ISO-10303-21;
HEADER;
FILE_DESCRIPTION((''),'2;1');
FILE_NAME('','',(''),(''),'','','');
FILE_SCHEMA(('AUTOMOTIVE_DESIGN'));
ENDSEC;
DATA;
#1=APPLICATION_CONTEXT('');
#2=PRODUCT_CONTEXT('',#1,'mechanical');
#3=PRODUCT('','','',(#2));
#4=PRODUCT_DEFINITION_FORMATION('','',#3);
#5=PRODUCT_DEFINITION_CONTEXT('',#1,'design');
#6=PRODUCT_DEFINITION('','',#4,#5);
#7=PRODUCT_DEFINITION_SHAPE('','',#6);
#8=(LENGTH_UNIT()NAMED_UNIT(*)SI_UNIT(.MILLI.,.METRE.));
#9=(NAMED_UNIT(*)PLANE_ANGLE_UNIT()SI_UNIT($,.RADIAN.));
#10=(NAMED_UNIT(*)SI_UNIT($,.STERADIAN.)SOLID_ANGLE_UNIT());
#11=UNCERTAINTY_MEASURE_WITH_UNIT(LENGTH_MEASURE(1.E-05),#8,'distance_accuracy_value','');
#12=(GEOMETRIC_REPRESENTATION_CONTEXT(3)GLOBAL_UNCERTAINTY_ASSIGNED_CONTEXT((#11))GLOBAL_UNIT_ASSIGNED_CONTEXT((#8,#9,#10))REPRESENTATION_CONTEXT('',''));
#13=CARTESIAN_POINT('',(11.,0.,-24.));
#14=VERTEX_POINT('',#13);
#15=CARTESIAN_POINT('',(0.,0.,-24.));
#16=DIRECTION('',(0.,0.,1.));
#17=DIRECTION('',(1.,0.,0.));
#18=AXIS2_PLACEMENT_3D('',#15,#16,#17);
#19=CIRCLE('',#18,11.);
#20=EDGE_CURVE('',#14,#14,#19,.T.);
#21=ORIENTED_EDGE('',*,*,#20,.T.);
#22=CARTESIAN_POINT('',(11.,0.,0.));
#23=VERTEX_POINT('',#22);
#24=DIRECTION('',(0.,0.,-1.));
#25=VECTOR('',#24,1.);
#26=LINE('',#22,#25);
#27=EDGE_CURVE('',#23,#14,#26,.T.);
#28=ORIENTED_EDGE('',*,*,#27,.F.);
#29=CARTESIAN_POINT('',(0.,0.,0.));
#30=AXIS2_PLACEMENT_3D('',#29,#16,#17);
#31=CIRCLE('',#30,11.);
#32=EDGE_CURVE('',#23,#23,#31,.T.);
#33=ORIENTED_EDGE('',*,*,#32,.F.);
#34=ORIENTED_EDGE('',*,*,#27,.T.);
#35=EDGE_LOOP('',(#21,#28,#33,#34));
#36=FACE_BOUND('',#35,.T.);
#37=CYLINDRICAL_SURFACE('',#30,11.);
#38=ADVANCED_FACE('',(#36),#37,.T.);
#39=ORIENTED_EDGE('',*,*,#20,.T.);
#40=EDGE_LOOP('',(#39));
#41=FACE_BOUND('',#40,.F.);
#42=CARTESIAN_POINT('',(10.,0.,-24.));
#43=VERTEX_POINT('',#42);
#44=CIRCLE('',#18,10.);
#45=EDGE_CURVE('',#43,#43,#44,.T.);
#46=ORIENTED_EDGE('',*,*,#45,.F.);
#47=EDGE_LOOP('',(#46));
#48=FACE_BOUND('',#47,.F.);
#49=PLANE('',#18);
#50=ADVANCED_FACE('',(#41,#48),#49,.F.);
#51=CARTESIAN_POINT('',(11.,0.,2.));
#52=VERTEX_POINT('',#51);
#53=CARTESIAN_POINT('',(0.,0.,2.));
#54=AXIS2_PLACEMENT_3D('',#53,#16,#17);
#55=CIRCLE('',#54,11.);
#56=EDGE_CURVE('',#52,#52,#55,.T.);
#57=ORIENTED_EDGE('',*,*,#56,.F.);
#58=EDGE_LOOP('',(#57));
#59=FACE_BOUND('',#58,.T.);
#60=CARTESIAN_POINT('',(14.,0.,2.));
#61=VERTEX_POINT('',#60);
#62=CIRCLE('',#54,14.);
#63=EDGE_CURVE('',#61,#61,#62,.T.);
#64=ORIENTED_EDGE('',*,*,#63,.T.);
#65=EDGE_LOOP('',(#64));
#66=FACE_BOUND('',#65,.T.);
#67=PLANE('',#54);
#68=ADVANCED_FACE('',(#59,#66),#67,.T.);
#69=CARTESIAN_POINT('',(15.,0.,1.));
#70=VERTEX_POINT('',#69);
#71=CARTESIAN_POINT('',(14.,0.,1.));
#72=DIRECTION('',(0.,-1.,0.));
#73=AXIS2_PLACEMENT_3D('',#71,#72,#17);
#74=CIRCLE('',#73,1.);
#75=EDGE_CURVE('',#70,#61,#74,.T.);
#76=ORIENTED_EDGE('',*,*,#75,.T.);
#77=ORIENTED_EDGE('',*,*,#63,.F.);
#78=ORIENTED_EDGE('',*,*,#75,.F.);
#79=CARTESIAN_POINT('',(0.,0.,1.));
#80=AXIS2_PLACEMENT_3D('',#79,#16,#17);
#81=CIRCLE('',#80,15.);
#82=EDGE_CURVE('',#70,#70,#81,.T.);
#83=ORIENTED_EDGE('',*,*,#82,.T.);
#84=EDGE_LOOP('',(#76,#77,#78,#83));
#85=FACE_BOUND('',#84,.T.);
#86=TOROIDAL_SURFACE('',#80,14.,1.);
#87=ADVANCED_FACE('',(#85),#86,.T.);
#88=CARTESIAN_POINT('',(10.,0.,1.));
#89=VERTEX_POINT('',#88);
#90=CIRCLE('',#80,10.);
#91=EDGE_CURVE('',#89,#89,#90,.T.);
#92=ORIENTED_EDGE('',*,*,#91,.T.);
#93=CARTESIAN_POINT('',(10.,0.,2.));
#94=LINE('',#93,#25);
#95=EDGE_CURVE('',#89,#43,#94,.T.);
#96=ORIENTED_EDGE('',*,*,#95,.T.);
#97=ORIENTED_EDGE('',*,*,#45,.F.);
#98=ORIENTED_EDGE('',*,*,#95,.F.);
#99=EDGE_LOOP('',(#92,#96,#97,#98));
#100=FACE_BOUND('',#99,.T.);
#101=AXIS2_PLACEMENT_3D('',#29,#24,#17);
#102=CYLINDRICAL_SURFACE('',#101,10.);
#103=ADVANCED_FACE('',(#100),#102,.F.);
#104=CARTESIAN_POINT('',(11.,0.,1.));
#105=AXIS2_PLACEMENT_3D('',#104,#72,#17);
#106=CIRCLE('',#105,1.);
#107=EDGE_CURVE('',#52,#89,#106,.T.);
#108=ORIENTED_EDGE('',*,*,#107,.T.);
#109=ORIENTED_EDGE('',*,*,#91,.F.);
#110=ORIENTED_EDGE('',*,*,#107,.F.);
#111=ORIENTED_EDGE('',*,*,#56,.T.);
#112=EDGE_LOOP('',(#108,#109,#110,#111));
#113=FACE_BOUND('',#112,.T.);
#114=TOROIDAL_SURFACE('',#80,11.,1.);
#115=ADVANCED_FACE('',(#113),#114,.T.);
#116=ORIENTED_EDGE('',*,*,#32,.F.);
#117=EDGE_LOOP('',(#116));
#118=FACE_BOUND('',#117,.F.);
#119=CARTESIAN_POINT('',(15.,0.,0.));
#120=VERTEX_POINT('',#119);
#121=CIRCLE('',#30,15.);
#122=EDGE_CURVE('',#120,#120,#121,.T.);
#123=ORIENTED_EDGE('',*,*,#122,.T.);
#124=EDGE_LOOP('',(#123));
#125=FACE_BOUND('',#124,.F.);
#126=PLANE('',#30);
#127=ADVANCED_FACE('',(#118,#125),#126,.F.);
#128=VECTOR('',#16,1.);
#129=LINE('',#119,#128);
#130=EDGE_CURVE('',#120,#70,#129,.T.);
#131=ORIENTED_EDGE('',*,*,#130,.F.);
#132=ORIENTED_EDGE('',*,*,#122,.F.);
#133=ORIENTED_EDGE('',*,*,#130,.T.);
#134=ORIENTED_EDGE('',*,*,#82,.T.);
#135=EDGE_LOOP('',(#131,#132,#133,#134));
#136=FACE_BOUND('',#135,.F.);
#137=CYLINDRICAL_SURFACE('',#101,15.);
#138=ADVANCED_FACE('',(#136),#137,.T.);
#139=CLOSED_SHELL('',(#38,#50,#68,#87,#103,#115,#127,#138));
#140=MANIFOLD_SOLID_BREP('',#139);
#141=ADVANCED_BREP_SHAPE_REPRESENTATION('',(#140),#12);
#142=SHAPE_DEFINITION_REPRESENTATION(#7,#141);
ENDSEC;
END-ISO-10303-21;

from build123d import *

# Parameters (mm, degrees)
F0_R     = 11
F0_R_2   = 10
F1_DEPTH = 24
F0_R_3   = 15
F2_DEPTH = 2
F3_R     = 1


with BuildPart() as f1:
    # F0 (on Top) → F1 (new body)
    with BuildSketch(Plane.XY):
        Circle(F0_R)
        Circle(F0_R_2, mode=Mode.SUBTRACT)
    extrude(amount=-F1_DEPTH)

    # F0 (on Top) → F2 (join)
    with BuildSketch(Plane.XY):
        Circle(F0_R_3)
        Circle(F0_R, mode=Mode.SUBTRACT)
        Circle(F0_R)
        Circle(F0_R_2, mode=Mode.SUBTRACT)
    extrude(amount=F2_DEPTH)

    # F3
    f3_edges = [f1.edges().sort_by_distance(p)[0] for p in [
        (-15, 0, 2),
        (-10, 0, 2),
    ]]
    fillet(f3_edges, radius=F3_R)


solid = f1.part
